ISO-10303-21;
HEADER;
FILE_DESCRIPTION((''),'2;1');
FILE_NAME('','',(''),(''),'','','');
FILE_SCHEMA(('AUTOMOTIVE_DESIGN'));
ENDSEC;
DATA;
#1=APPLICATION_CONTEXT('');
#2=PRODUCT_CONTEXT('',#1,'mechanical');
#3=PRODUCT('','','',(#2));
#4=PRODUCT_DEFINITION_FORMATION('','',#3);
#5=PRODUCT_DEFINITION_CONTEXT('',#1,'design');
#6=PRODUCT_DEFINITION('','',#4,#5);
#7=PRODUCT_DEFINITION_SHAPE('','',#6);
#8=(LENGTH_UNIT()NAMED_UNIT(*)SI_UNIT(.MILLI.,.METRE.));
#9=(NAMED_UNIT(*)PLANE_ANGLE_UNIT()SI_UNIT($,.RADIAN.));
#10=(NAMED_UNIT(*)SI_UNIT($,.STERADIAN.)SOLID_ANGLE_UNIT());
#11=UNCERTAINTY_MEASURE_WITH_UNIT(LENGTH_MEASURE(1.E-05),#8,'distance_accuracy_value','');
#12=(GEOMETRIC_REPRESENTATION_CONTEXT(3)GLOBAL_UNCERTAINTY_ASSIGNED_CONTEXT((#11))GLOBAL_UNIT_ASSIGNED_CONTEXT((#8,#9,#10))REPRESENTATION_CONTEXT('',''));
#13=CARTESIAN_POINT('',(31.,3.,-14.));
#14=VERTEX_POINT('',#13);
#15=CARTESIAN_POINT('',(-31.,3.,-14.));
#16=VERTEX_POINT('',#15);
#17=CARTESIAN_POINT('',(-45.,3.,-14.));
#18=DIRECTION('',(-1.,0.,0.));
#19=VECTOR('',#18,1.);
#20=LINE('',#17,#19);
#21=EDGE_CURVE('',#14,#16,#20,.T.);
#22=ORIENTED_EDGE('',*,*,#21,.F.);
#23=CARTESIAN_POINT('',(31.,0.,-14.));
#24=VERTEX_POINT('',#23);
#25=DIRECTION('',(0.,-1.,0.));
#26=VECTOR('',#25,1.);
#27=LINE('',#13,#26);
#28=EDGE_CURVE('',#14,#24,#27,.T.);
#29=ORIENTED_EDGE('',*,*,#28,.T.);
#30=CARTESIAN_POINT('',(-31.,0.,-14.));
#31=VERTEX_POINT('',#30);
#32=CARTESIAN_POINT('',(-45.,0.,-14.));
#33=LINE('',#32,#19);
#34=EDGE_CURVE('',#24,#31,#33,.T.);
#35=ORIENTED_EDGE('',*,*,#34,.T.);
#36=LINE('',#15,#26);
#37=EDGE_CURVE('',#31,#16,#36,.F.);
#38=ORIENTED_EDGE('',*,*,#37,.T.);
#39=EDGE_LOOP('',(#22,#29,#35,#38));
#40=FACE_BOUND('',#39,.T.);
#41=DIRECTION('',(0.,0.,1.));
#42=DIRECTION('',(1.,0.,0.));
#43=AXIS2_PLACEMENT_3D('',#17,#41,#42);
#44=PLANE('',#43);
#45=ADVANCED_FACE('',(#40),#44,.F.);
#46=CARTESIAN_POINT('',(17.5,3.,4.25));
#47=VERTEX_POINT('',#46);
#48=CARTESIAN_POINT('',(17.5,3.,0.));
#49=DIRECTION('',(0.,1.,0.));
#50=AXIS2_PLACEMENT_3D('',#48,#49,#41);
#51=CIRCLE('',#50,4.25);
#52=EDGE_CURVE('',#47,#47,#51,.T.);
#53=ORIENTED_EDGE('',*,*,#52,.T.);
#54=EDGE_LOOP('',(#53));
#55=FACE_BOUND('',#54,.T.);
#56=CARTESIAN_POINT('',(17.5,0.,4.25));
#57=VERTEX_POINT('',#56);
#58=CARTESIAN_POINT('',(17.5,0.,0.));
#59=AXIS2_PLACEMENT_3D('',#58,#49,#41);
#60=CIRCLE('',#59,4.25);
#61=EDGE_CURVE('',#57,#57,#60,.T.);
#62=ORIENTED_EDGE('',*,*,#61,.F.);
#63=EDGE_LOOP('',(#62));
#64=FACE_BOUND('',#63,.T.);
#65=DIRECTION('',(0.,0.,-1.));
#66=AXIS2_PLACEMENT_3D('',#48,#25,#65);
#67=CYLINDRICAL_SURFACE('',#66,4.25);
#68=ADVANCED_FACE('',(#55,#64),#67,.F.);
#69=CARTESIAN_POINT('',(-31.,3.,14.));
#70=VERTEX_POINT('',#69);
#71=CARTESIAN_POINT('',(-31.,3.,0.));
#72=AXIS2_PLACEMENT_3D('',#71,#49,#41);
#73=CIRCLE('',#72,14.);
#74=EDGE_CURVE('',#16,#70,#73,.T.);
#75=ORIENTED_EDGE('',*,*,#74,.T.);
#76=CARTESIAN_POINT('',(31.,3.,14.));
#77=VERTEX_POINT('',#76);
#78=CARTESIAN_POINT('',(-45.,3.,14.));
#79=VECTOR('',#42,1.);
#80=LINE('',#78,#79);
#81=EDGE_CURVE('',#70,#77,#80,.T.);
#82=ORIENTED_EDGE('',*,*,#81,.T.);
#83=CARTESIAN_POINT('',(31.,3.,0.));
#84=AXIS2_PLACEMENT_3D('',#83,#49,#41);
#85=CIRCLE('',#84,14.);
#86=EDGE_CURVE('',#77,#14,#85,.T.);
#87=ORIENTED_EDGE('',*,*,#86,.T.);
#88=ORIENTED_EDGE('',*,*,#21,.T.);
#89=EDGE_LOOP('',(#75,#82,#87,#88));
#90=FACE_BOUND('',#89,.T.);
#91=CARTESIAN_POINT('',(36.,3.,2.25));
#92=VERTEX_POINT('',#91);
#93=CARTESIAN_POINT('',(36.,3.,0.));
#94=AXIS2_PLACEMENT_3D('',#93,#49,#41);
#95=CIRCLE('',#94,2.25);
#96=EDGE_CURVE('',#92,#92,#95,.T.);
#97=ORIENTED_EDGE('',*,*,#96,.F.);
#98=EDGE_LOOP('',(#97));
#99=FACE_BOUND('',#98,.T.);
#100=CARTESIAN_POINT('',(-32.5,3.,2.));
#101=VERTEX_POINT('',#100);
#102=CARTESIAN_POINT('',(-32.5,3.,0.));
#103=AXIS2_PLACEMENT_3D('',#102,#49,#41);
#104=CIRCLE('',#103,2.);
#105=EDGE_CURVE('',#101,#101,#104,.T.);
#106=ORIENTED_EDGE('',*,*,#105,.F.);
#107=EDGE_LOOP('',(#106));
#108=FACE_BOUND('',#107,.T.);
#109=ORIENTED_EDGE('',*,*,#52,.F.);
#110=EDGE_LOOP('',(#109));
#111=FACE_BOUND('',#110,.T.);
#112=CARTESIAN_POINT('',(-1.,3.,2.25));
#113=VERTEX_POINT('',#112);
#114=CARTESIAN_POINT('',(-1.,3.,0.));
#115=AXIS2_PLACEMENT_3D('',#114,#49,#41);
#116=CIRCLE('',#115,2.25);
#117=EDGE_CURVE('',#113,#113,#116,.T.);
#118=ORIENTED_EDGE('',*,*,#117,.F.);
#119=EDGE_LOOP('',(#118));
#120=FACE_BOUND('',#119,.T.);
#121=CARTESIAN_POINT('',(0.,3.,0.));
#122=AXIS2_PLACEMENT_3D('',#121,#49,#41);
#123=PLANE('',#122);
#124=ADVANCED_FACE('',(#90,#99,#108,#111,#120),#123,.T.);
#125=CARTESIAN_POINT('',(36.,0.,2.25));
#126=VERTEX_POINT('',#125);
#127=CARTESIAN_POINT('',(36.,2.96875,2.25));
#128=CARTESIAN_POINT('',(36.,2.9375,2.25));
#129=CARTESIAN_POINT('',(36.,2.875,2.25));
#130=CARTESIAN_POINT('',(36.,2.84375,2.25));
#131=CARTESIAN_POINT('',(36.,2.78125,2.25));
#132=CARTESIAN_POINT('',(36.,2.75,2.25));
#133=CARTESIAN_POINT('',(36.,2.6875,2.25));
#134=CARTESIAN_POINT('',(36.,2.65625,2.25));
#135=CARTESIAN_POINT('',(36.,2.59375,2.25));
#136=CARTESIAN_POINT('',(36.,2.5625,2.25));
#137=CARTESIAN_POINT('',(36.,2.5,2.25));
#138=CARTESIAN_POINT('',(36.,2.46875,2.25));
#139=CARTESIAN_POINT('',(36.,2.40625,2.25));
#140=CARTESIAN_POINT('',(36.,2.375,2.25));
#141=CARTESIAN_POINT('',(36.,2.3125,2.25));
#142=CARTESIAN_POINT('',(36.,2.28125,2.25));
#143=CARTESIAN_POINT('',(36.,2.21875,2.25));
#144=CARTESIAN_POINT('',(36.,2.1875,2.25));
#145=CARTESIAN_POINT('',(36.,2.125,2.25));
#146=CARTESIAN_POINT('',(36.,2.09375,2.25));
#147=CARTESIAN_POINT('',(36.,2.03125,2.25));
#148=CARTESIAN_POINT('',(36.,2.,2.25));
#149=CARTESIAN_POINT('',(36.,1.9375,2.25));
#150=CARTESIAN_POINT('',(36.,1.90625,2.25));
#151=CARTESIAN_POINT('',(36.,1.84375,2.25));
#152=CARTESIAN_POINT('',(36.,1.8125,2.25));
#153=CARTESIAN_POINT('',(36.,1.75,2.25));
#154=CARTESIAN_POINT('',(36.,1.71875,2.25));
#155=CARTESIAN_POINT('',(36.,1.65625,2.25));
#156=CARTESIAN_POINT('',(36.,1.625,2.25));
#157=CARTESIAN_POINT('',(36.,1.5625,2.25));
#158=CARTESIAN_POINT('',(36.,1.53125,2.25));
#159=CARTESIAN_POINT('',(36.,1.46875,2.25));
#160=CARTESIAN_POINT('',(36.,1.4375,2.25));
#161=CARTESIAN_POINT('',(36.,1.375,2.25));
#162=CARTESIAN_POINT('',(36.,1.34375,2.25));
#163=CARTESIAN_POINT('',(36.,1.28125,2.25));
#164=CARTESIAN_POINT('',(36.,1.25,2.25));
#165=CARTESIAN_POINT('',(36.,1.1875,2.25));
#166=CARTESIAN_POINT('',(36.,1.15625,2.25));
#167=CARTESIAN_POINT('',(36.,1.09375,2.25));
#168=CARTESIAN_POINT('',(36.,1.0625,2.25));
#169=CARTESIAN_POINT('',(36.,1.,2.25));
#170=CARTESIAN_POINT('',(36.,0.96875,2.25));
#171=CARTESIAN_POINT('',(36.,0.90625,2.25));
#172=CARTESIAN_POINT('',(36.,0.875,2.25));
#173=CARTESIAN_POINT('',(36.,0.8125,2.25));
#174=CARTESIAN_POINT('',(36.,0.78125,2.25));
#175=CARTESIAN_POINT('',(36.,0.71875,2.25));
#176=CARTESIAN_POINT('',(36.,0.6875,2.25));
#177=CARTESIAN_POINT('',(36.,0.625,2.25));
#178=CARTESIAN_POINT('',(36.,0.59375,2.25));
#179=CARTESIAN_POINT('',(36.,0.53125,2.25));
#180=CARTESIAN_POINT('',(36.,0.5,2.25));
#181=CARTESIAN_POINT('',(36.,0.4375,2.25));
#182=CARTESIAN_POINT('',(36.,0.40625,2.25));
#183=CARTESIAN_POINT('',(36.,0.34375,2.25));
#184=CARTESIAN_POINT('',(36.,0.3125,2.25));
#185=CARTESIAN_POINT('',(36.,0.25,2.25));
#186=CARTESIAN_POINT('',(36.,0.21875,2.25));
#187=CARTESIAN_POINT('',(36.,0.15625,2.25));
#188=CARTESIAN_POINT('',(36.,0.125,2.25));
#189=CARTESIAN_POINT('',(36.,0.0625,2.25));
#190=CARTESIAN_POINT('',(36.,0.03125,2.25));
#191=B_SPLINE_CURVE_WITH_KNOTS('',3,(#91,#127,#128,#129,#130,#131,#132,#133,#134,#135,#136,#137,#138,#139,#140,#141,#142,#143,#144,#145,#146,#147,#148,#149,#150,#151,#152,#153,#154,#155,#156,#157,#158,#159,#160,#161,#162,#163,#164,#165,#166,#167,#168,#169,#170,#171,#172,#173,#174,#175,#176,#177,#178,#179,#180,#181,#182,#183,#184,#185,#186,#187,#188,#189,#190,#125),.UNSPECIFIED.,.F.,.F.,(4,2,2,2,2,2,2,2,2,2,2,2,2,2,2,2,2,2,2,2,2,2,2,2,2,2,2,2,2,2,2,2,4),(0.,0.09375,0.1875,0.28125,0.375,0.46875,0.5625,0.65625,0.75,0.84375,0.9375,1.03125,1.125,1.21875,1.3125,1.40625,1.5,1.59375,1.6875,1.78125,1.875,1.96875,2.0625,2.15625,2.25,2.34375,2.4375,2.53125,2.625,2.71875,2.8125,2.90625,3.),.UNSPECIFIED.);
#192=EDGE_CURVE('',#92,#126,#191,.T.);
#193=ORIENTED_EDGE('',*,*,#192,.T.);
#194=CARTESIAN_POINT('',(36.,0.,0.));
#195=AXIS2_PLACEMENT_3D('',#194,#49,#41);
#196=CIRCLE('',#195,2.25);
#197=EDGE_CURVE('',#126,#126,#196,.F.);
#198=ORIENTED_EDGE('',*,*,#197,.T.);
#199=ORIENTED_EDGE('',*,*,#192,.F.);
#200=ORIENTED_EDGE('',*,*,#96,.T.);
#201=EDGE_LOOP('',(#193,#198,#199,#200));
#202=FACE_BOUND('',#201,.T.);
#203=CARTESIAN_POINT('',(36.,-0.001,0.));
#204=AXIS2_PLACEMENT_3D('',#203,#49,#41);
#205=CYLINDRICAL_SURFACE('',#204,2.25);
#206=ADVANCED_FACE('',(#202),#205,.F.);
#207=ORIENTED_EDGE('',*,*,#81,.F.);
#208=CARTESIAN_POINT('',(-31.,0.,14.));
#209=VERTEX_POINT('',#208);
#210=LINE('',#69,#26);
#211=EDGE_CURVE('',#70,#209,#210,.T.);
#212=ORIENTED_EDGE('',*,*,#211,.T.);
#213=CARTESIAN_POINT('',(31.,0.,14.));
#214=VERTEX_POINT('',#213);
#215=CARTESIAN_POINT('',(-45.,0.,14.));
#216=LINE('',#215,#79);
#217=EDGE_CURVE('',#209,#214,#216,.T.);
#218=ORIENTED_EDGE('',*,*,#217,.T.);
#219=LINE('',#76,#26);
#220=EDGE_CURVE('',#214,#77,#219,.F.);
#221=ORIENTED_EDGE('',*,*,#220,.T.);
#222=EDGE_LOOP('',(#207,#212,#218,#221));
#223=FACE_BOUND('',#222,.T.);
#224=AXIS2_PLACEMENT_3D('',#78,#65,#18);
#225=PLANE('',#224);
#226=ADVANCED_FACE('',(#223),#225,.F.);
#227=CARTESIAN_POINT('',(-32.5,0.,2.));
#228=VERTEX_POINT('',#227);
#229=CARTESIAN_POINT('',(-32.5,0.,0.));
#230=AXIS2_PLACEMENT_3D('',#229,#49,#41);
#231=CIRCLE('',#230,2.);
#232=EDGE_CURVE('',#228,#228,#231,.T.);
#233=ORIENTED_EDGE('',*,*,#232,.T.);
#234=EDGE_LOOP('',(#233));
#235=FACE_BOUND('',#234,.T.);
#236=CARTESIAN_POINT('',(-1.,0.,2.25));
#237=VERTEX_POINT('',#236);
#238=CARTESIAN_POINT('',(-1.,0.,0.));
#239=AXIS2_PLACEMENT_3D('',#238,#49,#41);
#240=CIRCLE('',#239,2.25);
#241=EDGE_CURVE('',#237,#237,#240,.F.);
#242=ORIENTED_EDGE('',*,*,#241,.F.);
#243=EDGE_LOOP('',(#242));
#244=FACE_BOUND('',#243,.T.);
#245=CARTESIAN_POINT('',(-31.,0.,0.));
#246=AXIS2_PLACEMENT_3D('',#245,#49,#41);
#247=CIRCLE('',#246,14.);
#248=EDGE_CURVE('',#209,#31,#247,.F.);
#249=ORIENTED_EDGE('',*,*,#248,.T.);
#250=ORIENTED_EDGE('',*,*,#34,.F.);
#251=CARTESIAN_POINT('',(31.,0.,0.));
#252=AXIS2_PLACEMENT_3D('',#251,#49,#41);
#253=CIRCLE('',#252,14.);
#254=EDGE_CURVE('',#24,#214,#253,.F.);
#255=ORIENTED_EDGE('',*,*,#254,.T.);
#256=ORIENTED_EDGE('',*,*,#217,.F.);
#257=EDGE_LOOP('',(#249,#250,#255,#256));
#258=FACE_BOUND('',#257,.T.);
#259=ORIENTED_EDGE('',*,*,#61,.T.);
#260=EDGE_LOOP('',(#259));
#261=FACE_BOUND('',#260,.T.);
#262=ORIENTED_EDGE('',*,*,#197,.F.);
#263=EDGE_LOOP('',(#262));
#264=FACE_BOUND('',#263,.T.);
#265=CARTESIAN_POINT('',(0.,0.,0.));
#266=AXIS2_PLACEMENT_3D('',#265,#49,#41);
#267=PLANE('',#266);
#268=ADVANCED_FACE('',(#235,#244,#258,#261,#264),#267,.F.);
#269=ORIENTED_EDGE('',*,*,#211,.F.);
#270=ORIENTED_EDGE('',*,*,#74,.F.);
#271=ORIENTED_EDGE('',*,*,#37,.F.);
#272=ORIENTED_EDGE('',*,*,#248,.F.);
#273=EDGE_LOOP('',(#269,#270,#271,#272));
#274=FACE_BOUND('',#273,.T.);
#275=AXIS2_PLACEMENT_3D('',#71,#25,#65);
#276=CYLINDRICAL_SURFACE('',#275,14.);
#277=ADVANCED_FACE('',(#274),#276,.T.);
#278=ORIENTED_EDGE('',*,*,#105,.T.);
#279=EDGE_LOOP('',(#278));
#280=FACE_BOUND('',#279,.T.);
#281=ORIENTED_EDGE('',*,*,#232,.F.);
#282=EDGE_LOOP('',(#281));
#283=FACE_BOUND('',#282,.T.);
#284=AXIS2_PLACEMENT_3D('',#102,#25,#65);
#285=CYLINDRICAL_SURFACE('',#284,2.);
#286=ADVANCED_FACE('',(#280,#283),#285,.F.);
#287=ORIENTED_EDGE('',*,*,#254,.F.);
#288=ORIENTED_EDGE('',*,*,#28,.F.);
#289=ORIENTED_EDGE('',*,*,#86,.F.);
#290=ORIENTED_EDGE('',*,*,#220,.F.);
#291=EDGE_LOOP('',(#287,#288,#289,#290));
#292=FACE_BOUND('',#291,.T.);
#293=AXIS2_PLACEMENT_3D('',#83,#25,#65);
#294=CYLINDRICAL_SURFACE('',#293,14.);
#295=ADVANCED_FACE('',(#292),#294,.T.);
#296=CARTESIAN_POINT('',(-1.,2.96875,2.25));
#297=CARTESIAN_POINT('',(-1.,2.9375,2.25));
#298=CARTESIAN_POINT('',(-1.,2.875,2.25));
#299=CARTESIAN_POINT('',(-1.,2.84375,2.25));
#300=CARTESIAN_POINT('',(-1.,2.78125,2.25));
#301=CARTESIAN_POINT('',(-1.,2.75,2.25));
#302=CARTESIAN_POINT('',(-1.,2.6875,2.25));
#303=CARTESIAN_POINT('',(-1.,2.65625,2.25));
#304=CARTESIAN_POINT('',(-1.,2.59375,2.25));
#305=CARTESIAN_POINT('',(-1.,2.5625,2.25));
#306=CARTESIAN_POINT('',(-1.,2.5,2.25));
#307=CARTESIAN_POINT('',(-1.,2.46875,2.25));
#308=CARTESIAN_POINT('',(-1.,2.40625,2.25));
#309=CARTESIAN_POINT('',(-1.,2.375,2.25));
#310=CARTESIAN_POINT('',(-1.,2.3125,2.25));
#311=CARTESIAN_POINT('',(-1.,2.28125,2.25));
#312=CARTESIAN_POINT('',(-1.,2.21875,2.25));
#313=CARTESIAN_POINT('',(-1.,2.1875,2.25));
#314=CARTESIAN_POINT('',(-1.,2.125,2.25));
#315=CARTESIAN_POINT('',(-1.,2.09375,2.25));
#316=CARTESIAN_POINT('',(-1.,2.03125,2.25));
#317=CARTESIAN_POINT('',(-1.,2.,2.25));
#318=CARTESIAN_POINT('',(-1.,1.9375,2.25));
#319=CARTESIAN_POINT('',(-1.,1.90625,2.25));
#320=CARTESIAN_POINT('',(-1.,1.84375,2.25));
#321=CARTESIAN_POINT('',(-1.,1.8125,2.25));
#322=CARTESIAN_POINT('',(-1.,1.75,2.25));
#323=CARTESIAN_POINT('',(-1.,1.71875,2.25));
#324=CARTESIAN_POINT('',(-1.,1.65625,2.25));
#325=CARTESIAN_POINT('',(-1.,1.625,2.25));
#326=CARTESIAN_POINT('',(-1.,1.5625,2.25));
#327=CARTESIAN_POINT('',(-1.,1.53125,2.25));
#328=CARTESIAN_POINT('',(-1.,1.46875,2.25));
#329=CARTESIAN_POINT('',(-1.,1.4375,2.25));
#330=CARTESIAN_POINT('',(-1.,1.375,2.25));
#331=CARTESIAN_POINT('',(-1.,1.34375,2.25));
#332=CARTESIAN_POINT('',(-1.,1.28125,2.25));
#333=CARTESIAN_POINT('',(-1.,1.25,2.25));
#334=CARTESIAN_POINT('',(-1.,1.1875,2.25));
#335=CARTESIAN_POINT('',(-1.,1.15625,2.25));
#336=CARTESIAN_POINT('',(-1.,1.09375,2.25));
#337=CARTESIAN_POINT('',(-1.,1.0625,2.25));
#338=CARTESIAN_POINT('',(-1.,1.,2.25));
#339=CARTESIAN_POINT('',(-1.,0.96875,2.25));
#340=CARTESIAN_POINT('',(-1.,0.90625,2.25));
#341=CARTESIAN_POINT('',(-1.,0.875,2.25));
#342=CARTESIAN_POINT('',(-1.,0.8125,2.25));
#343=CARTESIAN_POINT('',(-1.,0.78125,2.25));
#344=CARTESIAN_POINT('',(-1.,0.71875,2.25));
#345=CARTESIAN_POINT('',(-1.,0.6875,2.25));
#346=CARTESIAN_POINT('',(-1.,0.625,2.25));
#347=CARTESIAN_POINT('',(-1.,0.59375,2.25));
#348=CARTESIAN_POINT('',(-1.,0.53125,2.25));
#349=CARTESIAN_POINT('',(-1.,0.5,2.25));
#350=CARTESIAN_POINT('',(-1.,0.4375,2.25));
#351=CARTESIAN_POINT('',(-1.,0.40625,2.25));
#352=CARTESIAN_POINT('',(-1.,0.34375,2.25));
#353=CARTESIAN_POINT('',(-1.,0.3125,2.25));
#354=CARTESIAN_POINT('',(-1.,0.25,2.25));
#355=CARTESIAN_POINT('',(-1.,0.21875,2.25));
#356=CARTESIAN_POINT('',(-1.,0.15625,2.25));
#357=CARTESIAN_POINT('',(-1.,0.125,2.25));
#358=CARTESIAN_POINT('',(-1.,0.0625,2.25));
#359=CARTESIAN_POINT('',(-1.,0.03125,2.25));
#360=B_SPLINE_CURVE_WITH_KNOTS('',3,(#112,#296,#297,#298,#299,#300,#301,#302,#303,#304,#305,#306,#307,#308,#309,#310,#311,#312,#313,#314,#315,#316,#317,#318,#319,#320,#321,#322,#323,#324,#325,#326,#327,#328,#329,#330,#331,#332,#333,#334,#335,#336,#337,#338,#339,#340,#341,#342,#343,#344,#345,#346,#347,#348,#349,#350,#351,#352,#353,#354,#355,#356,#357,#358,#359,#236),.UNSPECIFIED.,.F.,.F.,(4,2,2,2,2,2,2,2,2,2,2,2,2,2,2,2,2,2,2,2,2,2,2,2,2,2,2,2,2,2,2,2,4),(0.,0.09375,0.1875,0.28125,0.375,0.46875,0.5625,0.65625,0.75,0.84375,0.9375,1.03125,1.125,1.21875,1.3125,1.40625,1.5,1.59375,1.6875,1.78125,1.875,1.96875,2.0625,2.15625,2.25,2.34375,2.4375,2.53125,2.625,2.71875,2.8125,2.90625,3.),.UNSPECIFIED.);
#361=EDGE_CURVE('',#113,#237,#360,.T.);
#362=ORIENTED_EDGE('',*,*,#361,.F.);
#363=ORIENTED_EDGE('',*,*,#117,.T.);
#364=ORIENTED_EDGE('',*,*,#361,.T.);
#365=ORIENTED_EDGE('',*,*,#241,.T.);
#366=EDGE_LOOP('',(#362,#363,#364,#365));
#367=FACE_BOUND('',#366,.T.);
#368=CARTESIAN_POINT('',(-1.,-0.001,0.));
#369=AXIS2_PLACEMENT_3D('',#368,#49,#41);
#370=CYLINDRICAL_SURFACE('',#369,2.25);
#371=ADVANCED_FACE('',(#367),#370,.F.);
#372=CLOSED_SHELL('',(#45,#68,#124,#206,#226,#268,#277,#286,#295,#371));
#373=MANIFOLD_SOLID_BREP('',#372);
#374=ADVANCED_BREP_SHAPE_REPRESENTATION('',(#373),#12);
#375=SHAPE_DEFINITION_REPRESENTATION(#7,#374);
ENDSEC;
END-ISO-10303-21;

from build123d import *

# Parameters (mm, degrees)
SKETCH_1_W          = 90
SKETCH_1_H          = 28
SKETCH_1_R          = 4.25
SKETCH_1_R_2        = 2
EXTRUDE_1_DEPTH     = 3
CUT_EXTRUDE_1_REACH = 49.223
SKETCH_3_R          = 2.25
FILLET_1_RADIUS     = 14
FILLET_1_LENGTH     = 3
FILLET_2_RADIUS     = 14
FILLET_2_LENGTH     = 3


with BuildPart() as part:
    # 草图1 → 凸台-拉伸1 (new body)
    with BuildSketch(Plane(origin=(0, 0, 0), x_dir=(1, 0, 0), z_dir=(0, 1, 0))):
        Rectangle(SKETCH_1_W, SKETCH_1_H)
        with Locations(Location((17.5, 0, 0), (0, 0, 270))):
            Circle(SKETCH_1_R, mode=Mode.SUBTRACT)
        with Locations(Location((-32.5, 0, 0), (0, 0, 270))):
            Circle(SKETCH_1_R_2, mode=Mode.SUBTRACT)
    extrude(amount=EXTRUDE_1_DEPTH)

    # 草图3 → 切除-拉伸1 (cut, up to next)
    with BuildSketch(Plane(origin=(0, 3, 0), x_dir=(1, 0, 0), z_dir=(0, 1, 0)), mode=Mode.PRIVATE) as cut_extrude_1_sk1:
        with Locations(Location((36, 0, 0), (0, 0, 270))):
            Circle(SKETCH_3_R)
    cut_extrude_1_tool1 = extrude(cut_extrude_1_sk1.sketch, amount=-CUT_EXTRUDE_1_REACH, mode=Mode.PRIVATE) & part.part
    # 草图3 → 切除-拉伸1 (cut, up to next)
    with BuildSketch(Plane(origin=(0, 3, 0), x_dir=(1, 0, 0), z_dir=(0, 1, 0)), mode=Mode.PRIVATE) as cut_extrude_1_sk2:
        with Locations(Location((-1, 0, 0), (0, 0, 270))):
            Circle(SKETCH_3_R)
    cut_extrude_1_tool2 = extrude(cut_extrude_1_sk2.sketch, amount=-CUT_EXTRUDE_1_REACH, mode=Mode.PRIVATE) & part.part
    add(cut_extrude_1_tool1.solids().sort_by_distance((36, 3, 0))[0], mode=Mode.SUBTRACT)
    add(cut_extrude_1_tool2.solids().sort_by_distance((-1, 3, 0))[0], mode=Mode.SUBTRACT)

    # 圆角1: full round fillet: the end face becomes a half cylinder, R = half its width
    fillet_1_face = Plane((-45, 1.5, 0), x_dir=(0, 1, 0), z_dir=(-1, 0, 0))  # on the end face: x along it, z out of the body
    fillet_1_slab = fillet_1_face.offset(-FILLET_1_RADIUS / 2) * Box(FILLET_1_LENGTH, 2 * FILLET_1_RADIUS, FILLET_1_RADIUS, mode=Mode.PRIVATE)  # the body's end, R deep
    fillet_1_round = Plane((-31, 1.5, 0), x_dir=(-1, 0, 0), z_dir=(0, 1, 0)) * Cylinder(FILLET_1_RADIUS, FILLET_1_LENGTH, mode=Mode.PRIVATE)  # its axis R under the face
    add(fillet_1_slab - fillet_1_round, mode=Mode.SUBTRACT)

    # 圆角2: full round fillet: the end face becomes a half cylinder, R = half its width
    fillet_2_face = Plane((45, 1.5, 0), x_dir=(0, -1, 0), z_dir=(1, 0, 0))  # on the end face: x along it, z out of the body
    fillet_2_slab = fillet_2_face.offset(-FILLET_2_RADIUS / 2) * Box(FILLET_2_LENGTH, 2 * FILLET_2_RADIUS, FILLET_2_RADIUS, mode=Mode.PRIVATE)  # the body's end, R deep
    fillet_2_round = Plane((31, 1.5, 0), x_dir=(1, 0, 0), z_dir=(0, -1, 0)) * Cylinder(FILLET_2_RADIUS, FILLET_2_LENGTH, mode=Mode.PRIVATE)  # its axis R under the face
    add(fillet_2_slab - fillet_2_round, mode=Mode.SUBTRACT)


solid = part.part
